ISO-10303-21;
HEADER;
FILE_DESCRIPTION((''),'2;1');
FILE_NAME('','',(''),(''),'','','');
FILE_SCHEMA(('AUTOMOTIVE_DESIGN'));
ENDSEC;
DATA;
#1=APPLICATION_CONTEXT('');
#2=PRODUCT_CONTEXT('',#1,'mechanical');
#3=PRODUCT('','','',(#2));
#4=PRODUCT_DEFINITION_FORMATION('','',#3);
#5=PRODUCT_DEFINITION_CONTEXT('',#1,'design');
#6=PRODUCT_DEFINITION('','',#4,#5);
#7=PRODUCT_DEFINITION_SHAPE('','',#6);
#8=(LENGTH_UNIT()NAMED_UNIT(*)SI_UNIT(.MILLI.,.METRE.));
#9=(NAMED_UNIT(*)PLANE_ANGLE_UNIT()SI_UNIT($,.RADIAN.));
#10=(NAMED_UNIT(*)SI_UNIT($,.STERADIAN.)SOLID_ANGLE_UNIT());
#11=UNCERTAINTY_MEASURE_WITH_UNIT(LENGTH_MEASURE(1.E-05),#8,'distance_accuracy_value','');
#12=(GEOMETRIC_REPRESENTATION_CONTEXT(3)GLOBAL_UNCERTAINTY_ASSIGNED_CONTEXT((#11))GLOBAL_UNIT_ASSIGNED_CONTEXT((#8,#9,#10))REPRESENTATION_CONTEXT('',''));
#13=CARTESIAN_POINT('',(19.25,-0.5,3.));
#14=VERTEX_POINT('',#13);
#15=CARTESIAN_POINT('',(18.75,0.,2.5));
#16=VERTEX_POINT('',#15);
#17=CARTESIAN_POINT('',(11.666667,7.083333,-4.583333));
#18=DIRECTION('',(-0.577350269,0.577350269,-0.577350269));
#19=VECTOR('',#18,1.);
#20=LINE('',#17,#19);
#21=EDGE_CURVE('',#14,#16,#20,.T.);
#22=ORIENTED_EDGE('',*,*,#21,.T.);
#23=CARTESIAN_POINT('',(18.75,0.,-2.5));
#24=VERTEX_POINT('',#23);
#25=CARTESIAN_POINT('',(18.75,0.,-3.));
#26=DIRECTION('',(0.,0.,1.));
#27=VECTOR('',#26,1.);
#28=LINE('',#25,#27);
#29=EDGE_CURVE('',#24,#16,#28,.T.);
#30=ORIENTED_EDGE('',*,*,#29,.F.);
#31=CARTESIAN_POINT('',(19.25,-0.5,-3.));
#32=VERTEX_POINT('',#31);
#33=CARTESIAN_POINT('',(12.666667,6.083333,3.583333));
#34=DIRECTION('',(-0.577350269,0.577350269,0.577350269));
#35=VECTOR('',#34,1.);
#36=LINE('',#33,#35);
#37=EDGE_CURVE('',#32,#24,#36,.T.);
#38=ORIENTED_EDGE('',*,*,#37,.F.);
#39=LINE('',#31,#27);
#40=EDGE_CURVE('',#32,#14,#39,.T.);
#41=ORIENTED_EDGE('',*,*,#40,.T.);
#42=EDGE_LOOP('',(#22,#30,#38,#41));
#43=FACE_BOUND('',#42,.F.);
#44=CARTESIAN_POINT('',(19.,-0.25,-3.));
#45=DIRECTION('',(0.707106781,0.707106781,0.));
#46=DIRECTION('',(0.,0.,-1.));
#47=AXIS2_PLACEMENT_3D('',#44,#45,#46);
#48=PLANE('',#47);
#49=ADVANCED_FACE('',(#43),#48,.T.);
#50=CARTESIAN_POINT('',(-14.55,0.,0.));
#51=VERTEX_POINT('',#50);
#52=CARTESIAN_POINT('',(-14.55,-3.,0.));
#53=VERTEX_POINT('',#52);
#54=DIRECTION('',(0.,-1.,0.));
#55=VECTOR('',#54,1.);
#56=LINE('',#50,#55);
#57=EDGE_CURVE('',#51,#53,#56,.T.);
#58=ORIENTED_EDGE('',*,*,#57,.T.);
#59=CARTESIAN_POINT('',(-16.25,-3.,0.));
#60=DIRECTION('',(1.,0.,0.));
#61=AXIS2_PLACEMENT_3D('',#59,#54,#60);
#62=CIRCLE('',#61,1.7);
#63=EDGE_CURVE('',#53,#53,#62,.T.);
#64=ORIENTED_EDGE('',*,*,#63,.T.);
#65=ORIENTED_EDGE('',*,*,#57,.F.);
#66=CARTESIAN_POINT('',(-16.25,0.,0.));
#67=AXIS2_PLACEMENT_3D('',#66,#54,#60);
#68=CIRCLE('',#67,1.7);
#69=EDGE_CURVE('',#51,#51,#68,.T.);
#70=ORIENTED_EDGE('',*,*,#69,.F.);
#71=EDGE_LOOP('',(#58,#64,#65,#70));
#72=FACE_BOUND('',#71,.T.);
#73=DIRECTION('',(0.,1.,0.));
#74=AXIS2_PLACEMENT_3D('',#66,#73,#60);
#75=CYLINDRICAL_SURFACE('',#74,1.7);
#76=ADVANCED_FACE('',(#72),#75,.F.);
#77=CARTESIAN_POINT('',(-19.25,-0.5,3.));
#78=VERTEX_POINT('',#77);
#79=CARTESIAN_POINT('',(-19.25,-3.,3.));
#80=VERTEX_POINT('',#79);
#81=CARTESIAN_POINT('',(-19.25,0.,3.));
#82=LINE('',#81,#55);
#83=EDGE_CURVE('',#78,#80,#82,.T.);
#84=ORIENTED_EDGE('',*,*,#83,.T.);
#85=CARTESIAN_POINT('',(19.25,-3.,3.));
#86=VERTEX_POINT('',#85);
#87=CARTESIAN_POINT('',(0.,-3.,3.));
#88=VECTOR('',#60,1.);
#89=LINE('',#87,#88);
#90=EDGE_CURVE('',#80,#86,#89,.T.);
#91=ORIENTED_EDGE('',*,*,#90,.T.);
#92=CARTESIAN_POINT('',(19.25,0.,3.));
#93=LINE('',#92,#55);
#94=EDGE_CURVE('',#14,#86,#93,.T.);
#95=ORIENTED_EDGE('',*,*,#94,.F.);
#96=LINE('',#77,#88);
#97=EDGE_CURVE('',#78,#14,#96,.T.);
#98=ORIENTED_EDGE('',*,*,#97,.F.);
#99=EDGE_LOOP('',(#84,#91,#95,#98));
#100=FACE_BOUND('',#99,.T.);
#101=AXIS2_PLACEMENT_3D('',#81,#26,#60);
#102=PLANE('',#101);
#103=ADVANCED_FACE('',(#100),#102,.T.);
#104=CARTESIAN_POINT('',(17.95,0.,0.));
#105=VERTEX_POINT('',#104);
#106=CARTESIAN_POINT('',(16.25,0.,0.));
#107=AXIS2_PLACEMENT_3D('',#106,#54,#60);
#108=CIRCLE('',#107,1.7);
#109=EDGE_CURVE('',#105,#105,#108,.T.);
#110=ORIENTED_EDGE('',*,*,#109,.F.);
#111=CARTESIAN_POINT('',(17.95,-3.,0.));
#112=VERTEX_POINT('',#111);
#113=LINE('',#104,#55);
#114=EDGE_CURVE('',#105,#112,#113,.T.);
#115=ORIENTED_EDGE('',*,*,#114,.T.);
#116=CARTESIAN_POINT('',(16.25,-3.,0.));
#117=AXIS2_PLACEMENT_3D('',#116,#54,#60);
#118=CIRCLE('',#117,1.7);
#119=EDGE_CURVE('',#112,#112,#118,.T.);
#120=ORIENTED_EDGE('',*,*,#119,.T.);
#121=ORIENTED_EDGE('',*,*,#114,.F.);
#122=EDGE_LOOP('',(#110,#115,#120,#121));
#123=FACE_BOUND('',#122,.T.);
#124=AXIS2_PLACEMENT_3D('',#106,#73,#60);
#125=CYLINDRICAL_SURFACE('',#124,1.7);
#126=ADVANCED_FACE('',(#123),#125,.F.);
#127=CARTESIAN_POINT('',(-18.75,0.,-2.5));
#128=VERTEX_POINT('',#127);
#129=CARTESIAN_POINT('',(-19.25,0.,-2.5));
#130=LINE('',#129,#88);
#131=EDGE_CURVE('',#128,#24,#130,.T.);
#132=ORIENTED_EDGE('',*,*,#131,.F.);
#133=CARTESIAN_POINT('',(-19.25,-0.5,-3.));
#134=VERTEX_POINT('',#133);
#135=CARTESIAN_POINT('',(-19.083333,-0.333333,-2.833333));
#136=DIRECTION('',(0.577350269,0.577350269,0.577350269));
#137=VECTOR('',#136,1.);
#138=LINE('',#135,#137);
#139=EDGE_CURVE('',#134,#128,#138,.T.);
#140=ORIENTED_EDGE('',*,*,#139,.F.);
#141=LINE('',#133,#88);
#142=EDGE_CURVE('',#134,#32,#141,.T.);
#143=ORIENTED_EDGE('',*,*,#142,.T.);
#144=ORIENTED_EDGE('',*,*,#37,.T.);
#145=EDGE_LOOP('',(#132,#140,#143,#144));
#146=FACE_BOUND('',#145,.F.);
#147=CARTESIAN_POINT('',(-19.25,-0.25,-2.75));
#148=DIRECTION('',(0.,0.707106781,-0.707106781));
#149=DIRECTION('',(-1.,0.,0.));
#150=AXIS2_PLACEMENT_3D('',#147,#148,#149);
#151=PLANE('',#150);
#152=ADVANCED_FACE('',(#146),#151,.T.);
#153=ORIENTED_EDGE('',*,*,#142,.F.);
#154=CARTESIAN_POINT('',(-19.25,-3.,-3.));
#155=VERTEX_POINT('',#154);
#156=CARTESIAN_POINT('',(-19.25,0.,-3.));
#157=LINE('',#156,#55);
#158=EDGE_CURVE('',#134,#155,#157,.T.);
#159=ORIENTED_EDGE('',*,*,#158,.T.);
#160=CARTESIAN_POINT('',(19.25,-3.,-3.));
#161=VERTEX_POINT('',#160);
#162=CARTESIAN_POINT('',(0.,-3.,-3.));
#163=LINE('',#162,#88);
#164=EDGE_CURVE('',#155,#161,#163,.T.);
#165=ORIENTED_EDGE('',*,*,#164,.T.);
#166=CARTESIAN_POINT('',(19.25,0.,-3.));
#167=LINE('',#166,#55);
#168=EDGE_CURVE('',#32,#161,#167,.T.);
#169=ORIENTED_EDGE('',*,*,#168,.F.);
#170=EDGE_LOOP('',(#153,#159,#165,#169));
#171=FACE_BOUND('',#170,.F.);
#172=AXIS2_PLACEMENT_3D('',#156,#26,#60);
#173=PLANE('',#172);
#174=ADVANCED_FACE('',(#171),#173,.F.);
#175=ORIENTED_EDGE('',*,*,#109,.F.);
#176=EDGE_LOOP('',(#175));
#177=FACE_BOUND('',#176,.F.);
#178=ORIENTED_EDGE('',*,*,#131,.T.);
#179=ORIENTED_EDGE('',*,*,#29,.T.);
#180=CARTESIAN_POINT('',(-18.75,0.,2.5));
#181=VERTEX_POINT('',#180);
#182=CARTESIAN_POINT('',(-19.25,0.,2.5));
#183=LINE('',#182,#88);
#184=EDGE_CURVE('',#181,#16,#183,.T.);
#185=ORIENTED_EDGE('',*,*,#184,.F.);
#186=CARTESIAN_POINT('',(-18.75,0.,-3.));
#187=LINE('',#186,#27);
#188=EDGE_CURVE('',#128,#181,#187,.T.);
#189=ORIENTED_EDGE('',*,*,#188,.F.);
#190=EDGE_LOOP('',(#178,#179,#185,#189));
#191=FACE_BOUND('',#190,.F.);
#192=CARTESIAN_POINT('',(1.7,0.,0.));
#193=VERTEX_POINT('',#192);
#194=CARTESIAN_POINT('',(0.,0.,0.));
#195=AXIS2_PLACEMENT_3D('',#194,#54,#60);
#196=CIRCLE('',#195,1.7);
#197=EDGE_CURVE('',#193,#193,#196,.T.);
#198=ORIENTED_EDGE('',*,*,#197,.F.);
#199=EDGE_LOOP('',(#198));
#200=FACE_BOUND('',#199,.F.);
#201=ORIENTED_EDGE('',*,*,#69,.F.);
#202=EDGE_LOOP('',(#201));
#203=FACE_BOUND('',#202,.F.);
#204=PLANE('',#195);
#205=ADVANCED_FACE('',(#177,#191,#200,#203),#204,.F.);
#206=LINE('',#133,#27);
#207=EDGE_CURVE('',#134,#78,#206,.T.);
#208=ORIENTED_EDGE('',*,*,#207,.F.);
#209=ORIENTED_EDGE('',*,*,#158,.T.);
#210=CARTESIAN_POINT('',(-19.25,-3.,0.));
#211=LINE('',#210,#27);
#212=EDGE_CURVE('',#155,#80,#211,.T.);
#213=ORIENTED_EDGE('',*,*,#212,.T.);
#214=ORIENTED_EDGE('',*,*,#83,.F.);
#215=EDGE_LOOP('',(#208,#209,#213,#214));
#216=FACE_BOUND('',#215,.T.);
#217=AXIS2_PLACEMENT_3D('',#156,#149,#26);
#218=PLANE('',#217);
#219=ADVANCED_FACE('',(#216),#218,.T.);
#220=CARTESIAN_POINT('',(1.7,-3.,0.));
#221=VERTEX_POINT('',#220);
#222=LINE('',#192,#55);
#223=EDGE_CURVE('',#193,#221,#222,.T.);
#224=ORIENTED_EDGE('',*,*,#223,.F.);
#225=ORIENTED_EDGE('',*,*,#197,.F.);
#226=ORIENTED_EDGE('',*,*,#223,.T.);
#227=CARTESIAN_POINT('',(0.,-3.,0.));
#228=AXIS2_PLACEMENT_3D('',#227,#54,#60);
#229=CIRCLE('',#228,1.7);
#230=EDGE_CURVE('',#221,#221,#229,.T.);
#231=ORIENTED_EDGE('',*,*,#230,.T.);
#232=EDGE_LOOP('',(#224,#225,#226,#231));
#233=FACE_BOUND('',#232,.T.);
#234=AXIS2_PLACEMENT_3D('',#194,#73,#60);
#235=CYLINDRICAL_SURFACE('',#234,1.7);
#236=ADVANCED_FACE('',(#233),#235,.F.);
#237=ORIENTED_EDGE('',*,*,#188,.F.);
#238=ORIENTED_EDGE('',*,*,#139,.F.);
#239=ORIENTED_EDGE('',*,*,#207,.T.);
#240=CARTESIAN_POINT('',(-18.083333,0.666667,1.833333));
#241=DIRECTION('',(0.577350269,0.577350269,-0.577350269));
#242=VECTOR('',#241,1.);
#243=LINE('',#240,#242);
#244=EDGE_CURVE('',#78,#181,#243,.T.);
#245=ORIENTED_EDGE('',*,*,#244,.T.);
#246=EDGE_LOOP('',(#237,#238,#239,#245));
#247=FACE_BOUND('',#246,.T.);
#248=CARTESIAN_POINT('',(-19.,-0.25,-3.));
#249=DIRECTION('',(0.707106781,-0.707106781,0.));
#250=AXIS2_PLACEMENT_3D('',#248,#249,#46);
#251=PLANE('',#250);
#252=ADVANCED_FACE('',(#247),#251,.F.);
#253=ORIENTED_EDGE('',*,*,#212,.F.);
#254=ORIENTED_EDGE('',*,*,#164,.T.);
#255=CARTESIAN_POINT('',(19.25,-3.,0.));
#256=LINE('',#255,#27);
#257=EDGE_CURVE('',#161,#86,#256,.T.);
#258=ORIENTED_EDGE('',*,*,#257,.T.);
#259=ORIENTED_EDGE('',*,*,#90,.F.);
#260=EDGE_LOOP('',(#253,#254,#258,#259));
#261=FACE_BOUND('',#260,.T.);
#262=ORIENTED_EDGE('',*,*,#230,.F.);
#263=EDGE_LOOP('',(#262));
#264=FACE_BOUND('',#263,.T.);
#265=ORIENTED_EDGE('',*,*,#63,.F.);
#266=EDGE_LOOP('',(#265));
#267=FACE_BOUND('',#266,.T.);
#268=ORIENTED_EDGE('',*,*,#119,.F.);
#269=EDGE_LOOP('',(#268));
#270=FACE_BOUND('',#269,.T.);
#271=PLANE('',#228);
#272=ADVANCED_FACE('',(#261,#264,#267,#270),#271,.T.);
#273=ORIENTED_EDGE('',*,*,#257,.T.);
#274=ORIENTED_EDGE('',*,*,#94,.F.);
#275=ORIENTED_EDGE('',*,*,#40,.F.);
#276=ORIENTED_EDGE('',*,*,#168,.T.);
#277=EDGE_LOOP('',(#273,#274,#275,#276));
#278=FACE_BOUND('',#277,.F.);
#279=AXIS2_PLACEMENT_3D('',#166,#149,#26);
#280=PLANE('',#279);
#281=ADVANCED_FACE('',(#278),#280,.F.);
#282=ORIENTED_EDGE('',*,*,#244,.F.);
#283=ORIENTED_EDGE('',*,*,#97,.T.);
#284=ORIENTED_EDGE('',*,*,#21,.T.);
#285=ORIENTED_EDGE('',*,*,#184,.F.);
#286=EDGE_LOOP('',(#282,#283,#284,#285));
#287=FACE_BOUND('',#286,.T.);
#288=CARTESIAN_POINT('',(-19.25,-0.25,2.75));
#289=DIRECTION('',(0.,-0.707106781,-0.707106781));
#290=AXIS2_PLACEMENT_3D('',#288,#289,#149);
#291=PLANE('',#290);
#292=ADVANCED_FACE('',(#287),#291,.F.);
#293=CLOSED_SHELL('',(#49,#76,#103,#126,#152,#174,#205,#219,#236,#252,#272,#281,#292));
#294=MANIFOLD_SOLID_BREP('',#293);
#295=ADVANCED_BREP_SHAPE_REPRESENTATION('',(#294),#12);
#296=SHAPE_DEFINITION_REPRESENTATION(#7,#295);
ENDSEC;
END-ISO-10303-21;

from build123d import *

# Parameters (mm, degrees)
F0_W     = 38.5
F0_H     = 6
F0_R     = 1.7
F1_DEPTH = 3
F2_SIZE  = 0.5


with BuildPart() as f1:
    # F0 (on Front) → F1 (new body)
    with BuildSketch(Plane.XZ):
        Rectangle(F0_W, F0_H)
        with Locations((-16.25, 0)):
            Circle(F0_R, mode=Mode.SUBTRACT)
        Circle(F0_R, mode=Mode.SUBTRACT)
        with Locations((16.25, 0)):
            Circle(F0_R, mode=Mode.SUBTRACT)
    extrude(amount=F1_DEPTH)

    # F2
    f2_edges = [f1.edges().sort_by_distance(p)[0] for p in [
        (0, 0, -3),
        (19.25, 0, 0),
        (0, 0, 3),
        (-19.25, 0, 0),
    ]]
    chamfer(f2_edges, length=F2_SIZE)


solid = f1.part
